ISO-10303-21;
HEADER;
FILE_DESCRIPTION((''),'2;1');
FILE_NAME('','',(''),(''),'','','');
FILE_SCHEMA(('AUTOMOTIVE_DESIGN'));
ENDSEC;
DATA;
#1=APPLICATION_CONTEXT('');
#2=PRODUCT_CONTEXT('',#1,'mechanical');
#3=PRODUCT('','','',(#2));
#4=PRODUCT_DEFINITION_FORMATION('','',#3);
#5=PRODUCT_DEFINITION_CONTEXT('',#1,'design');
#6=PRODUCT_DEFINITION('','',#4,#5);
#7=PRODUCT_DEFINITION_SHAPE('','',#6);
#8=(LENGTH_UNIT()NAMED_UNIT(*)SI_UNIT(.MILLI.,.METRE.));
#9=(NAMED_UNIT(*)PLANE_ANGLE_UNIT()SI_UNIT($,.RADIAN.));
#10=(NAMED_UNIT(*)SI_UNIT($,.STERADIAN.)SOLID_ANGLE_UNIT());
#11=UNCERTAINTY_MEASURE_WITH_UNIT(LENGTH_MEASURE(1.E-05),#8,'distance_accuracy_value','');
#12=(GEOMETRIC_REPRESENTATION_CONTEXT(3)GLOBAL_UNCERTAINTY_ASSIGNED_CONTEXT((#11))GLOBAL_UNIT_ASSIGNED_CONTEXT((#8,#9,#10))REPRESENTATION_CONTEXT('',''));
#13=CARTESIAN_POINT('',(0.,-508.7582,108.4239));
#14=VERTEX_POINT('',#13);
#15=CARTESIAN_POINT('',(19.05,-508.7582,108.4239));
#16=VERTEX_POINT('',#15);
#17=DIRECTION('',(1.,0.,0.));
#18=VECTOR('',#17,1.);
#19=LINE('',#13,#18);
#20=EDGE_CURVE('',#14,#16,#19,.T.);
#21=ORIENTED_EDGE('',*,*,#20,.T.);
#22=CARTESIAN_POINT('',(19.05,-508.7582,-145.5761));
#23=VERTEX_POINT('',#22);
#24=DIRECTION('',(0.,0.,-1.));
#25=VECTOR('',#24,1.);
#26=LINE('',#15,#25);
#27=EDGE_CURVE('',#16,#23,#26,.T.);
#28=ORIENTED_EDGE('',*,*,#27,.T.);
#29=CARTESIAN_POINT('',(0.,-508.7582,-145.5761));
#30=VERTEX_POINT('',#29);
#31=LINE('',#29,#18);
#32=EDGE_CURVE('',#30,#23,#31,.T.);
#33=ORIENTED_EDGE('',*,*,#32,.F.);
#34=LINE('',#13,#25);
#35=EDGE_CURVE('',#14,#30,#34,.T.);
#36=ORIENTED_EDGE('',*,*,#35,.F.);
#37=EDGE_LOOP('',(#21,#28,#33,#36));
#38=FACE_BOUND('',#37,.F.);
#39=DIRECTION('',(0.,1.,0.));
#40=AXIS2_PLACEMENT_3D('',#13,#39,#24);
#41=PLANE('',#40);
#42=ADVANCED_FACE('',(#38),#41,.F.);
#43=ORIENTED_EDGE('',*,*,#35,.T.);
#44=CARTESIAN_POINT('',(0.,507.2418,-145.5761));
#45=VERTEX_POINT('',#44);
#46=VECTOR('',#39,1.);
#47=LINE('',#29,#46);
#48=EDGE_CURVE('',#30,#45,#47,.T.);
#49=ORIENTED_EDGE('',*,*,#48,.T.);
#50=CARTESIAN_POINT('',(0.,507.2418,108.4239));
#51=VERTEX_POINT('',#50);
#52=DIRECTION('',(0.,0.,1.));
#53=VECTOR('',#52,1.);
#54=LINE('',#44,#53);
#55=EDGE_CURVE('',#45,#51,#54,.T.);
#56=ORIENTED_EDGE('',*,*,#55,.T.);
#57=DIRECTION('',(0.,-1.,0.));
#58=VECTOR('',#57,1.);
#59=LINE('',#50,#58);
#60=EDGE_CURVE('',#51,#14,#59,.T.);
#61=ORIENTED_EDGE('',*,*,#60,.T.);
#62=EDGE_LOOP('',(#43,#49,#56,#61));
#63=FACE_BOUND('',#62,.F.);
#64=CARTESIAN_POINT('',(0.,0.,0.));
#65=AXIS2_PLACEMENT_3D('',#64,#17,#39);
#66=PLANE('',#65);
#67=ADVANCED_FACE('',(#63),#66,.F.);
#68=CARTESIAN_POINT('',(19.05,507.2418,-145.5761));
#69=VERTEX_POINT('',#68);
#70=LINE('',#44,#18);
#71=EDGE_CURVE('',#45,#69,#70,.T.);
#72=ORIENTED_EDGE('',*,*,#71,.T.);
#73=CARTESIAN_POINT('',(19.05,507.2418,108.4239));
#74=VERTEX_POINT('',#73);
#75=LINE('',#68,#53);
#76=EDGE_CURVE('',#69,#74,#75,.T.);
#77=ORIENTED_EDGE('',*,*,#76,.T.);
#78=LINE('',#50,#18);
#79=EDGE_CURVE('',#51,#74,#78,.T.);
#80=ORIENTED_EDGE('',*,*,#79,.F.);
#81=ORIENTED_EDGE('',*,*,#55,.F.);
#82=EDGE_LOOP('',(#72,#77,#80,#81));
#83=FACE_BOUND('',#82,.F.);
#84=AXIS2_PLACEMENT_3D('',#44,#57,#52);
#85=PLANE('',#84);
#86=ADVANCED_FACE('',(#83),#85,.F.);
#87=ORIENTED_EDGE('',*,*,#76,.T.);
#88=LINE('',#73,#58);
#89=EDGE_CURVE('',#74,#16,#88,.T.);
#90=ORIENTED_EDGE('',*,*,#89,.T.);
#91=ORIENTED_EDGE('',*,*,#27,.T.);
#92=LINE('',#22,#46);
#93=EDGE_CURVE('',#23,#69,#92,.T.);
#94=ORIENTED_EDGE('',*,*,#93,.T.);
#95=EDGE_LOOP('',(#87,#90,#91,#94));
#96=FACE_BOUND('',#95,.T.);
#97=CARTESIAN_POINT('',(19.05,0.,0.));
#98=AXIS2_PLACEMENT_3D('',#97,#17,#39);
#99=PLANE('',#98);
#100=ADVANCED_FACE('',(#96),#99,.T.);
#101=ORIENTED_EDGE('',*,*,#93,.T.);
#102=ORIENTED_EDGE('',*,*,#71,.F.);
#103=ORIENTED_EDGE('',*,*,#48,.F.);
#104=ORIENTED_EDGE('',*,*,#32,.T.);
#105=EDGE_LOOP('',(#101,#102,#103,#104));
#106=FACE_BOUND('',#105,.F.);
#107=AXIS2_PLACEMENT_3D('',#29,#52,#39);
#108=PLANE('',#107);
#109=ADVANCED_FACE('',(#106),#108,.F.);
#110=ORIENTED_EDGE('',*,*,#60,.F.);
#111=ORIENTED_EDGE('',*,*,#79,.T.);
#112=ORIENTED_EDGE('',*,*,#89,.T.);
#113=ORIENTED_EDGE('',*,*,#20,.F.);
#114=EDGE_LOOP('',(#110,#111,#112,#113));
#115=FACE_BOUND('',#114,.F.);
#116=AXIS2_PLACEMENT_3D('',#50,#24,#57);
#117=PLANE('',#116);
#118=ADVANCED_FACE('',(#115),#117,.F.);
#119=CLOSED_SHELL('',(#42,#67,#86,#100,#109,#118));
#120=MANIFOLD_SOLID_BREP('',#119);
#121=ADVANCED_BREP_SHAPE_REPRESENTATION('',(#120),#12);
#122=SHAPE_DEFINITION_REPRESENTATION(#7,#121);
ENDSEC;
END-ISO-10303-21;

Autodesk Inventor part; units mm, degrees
ref_plane "YZ Plane" through (0, 0, 0) normal (1, 0, 0) x (0, 1, 0)
ref_plane "XZ Plane" through (0, 0, 0) normal (0, 1, 0) x (-1, 0, 0)
ref_plane "XY Plane" through (0, 0, 0) normal (0, 0, 1) x (1, 0, 0)
sketch "Sketch1" plane through (0, 0, 0) normal (1, 0, 0) x (0, 1, 0)
  line L0 (507.2418, 108.4239) -> (-508.7582, 108.4239)
  line L1 (-508.7582, 108.4239) -> (-508.7582, -145.5761)
  line L2 (-508.7582, -145.5761) -> (507.2418, -145.5761)
  line L3 (507.2418, -145.5761) -> (507.2418, 108.4239)
  point P0 (0, 0)
  dimension "d0" = 1016
  dimension "d1" = 254
extrude "Extrusion1" add sketch "Sketch1" along normal blind 19.05
properties part number "lowerback"
